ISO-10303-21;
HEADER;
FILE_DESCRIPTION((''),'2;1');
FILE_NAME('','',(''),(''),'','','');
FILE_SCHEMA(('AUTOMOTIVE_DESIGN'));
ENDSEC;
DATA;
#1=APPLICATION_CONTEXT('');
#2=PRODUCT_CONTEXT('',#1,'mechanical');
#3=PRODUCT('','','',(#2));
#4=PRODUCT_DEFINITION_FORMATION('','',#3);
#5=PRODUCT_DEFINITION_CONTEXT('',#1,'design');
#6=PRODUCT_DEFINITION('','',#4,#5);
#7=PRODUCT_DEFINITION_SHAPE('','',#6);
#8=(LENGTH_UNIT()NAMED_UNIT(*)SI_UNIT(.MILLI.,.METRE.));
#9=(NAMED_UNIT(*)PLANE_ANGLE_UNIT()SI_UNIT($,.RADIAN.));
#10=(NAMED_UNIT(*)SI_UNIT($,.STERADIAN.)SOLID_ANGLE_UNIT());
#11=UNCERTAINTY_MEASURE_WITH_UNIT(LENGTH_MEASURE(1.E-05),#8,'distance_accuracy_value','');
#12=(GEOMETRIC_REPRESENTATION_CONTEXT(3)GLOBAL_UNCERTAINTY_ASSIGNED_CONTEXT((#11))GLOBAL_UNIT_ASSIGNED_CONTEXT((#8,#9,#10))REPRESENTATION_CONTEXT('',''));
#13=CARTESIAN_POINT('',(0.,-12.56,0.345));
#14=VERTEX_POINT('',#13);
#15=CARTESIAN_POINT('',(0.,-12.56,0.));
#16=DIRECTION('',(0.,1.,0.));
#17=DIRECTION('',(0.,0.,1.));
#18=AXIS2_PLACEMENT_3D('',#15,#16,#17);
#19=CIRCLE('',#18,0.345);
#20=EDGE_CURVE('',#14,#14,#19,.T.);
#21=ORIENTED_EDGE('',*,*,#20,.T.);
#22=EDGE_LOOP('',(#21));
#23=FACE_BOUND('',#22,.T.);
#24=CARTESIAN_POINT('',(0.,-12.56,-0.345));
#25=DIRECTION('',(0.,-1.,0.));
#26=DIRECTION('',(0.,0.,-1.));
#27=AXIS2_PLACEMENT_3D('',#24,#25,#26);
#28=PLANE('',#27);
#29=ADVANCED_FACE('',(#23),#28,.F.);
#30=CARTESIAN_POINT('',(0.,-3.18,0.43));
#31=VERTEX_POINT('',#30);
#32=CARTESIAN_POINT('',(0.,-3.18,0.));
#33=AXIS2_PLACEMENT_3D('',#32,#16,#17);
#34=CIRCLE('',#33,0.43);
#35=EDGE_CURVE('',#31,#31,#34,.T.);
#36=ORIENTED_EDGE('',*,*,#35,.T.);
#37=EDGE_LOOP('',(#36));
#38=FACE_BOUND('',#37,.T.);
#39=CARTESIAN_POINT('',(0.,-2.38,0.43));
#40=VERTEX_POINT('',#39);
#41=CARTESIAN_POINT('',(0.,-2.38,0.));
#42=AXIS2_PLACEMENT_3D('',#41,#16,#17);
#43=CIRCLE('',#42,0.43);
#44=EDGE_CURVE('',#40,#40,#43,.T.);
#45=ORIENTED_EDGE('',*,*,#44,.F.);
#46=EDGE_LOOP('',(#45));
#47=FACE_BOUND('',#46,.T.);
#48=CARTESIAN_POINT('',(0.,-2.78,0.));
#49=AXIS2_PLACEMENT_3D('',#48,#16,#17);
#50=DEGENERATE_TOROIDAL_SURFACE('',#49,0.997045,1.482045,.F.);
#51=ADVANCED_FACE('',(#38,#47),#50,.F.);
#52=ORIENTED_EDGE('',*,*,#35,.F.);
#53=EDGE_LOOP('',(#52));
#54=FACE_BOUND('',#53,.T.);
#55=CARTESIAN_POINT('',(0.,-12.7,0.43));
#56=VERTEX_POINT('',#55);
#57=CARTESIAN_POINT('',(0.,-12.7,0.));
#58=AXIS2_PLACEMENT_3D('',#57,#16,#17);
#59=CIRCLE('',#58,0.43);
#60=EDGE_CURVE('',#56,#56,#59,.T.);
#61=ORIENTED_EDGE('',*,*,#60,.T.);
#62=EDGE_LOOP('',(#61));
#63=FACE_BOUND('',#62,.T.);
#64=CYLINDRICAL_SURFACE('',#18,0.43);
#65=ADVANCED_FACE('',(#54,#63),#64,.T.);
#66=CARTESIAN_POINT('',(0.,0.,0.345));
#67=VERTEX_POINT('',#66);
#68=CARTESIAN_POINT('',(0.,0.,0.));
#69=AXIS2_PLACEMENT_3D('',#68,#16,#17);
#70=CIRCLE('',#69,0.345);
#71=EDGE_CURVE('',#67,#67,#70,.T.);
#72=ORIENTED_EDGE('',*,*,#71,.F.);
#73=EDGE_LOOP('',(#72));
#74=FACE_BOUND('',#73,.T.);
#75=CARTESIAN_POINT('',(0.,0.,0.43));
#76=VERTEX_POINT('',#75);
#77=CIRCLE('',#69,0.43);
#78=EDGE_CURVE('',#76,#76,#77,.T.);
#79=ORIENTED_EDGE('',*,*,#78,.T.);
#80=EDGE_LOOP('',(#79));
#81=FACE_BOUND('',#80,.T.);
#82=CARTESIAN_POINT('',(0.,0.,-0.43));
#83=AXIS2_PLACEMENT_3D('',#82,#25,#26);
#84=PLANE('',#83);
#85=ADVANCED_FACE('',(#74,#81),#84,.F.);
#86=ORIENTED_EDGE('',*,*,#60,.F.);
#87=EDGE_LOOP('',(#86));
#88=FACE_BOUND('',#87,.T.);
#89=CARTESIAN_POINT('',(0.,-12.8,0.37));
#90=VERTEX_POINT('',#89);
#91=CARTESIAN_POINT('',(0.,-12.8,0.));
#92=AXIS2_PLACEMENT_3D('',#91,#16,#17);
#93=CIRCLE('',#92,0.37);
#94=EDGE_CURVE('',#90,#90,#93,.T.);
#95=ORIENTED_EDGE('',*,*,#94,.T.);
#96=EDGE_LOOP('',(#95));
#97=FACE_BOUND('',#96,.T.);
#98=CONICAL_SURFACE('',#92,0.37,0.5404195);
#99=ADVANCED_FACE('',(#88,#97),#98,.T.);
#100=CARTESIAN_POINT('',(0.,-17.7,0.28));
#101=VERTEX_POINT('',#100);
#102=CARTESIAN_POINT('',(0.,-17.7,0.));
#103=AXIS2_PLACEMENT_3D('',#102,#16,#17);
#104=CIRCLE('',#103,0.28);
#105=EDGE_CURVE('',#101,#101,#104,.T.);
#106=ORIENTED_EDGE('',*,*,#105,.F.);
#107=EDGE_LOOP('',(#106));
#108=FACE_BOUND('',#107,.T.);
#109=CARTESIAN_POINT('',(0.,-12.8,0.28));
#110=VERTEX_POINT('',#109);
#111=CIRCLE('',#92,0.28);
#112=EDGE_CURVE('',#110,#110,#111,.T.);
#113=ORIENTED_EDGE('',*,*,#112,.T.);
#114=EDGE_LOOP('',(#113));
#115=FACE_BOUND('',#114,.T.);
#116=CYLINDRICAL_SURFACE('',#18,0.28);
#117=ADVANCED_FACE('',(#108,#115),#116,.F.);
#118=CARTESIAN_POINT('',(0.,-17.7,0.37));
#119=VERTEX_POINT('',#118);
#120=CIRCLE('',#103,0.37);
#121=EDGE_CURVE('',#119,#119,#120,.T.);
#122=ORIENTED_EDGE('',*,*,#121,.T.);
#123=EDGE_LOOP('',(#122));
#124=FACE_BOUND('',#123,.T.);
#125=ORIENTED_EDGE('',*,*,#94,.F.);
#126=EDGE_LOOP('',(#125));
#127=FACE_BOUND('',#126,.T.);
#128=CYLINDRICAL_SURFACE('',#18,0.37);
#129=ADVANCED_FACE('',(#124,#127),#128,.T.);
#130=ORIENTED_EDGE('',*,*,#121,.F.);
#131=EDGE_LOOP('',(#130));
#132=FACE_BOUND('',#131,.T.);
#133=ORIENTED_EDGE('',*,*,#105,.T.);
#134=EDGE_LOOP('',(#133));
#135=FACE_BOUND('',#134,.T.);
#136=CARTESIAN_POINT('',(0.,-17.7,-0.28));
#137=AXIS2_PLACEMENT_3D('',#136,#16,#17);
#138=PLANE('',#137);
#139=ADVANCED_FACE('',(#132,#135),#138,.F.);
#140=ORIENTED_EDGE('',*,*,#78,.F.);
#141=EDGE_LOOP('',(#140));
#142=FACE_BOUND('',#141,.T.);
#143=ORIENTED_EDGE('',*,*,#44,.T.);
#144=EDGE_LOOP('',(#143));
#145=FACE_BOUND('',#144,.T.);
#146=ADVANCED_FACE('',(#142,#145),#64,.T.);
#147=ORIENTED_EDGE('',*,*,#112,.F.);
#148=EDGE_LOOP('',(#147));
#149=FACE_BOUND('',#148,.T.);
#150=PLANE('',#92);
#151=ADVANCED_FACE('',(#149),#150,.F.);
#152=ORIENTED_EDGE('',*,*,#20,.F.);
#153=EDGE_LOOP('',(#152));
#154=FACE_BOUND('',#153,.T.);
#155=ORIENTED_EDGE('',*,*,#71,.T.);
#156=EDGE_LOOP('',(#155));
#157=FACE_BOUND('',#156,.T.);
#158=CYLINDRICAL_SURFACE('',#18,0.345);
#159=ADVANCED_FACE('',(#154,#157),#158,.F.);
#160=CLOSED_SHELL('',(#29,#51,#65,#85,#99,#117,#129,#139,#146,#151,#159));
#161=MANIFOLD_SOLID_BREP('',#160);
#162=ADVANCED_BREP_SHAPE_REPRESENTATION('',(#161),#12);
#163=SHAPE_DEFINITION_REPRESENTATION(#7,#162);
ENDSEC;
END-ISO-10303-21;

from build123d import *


with BuildPart() as part:
    # Sketch1 → Revolve1 (revolve)
    with BuildSketch(Plane(origin=(0, 0, 0), x_dir=(0, 0, -1), z_dir=(1, 0, 0)), mode=Mode.PRIVATE) as revolve1_sk:
        with BuildLine():
            Line((0.345, 0), (0.345, -12.56))
            Line((0.345, -12.56), (0, -12.56))
            Line((0, -12.56), (0, -12.8))
            Line((0, -12.8), (0.28, -12.8))
            Line((0.28, -12.8), (0.28, -17.7))
            Line((0.28, -17.7), (0.37, -17.7))
            Line((0.37, -17.7), (0.37, -12.8))
            Line((0.37, -12.8), (0.43, -12.7))
            Line((0.43, -12.7), (0.43, -3.18))
            ThreePointArc((0.43, -3.18), (0.485, -2.78), (0.43, -2.38))
            Line((0.43, -2.38), (0.43, 0))
            Line((0.43, 0), (0.345, 0))
        make_face()
    revolve(revolve1_sk.sketch.rotate(Axis((0, -12.56, 0), (0, -1, 0)), 180), axis=Axis((0, -12.56, 0), (0, -1, 0)))


solid = part.part
